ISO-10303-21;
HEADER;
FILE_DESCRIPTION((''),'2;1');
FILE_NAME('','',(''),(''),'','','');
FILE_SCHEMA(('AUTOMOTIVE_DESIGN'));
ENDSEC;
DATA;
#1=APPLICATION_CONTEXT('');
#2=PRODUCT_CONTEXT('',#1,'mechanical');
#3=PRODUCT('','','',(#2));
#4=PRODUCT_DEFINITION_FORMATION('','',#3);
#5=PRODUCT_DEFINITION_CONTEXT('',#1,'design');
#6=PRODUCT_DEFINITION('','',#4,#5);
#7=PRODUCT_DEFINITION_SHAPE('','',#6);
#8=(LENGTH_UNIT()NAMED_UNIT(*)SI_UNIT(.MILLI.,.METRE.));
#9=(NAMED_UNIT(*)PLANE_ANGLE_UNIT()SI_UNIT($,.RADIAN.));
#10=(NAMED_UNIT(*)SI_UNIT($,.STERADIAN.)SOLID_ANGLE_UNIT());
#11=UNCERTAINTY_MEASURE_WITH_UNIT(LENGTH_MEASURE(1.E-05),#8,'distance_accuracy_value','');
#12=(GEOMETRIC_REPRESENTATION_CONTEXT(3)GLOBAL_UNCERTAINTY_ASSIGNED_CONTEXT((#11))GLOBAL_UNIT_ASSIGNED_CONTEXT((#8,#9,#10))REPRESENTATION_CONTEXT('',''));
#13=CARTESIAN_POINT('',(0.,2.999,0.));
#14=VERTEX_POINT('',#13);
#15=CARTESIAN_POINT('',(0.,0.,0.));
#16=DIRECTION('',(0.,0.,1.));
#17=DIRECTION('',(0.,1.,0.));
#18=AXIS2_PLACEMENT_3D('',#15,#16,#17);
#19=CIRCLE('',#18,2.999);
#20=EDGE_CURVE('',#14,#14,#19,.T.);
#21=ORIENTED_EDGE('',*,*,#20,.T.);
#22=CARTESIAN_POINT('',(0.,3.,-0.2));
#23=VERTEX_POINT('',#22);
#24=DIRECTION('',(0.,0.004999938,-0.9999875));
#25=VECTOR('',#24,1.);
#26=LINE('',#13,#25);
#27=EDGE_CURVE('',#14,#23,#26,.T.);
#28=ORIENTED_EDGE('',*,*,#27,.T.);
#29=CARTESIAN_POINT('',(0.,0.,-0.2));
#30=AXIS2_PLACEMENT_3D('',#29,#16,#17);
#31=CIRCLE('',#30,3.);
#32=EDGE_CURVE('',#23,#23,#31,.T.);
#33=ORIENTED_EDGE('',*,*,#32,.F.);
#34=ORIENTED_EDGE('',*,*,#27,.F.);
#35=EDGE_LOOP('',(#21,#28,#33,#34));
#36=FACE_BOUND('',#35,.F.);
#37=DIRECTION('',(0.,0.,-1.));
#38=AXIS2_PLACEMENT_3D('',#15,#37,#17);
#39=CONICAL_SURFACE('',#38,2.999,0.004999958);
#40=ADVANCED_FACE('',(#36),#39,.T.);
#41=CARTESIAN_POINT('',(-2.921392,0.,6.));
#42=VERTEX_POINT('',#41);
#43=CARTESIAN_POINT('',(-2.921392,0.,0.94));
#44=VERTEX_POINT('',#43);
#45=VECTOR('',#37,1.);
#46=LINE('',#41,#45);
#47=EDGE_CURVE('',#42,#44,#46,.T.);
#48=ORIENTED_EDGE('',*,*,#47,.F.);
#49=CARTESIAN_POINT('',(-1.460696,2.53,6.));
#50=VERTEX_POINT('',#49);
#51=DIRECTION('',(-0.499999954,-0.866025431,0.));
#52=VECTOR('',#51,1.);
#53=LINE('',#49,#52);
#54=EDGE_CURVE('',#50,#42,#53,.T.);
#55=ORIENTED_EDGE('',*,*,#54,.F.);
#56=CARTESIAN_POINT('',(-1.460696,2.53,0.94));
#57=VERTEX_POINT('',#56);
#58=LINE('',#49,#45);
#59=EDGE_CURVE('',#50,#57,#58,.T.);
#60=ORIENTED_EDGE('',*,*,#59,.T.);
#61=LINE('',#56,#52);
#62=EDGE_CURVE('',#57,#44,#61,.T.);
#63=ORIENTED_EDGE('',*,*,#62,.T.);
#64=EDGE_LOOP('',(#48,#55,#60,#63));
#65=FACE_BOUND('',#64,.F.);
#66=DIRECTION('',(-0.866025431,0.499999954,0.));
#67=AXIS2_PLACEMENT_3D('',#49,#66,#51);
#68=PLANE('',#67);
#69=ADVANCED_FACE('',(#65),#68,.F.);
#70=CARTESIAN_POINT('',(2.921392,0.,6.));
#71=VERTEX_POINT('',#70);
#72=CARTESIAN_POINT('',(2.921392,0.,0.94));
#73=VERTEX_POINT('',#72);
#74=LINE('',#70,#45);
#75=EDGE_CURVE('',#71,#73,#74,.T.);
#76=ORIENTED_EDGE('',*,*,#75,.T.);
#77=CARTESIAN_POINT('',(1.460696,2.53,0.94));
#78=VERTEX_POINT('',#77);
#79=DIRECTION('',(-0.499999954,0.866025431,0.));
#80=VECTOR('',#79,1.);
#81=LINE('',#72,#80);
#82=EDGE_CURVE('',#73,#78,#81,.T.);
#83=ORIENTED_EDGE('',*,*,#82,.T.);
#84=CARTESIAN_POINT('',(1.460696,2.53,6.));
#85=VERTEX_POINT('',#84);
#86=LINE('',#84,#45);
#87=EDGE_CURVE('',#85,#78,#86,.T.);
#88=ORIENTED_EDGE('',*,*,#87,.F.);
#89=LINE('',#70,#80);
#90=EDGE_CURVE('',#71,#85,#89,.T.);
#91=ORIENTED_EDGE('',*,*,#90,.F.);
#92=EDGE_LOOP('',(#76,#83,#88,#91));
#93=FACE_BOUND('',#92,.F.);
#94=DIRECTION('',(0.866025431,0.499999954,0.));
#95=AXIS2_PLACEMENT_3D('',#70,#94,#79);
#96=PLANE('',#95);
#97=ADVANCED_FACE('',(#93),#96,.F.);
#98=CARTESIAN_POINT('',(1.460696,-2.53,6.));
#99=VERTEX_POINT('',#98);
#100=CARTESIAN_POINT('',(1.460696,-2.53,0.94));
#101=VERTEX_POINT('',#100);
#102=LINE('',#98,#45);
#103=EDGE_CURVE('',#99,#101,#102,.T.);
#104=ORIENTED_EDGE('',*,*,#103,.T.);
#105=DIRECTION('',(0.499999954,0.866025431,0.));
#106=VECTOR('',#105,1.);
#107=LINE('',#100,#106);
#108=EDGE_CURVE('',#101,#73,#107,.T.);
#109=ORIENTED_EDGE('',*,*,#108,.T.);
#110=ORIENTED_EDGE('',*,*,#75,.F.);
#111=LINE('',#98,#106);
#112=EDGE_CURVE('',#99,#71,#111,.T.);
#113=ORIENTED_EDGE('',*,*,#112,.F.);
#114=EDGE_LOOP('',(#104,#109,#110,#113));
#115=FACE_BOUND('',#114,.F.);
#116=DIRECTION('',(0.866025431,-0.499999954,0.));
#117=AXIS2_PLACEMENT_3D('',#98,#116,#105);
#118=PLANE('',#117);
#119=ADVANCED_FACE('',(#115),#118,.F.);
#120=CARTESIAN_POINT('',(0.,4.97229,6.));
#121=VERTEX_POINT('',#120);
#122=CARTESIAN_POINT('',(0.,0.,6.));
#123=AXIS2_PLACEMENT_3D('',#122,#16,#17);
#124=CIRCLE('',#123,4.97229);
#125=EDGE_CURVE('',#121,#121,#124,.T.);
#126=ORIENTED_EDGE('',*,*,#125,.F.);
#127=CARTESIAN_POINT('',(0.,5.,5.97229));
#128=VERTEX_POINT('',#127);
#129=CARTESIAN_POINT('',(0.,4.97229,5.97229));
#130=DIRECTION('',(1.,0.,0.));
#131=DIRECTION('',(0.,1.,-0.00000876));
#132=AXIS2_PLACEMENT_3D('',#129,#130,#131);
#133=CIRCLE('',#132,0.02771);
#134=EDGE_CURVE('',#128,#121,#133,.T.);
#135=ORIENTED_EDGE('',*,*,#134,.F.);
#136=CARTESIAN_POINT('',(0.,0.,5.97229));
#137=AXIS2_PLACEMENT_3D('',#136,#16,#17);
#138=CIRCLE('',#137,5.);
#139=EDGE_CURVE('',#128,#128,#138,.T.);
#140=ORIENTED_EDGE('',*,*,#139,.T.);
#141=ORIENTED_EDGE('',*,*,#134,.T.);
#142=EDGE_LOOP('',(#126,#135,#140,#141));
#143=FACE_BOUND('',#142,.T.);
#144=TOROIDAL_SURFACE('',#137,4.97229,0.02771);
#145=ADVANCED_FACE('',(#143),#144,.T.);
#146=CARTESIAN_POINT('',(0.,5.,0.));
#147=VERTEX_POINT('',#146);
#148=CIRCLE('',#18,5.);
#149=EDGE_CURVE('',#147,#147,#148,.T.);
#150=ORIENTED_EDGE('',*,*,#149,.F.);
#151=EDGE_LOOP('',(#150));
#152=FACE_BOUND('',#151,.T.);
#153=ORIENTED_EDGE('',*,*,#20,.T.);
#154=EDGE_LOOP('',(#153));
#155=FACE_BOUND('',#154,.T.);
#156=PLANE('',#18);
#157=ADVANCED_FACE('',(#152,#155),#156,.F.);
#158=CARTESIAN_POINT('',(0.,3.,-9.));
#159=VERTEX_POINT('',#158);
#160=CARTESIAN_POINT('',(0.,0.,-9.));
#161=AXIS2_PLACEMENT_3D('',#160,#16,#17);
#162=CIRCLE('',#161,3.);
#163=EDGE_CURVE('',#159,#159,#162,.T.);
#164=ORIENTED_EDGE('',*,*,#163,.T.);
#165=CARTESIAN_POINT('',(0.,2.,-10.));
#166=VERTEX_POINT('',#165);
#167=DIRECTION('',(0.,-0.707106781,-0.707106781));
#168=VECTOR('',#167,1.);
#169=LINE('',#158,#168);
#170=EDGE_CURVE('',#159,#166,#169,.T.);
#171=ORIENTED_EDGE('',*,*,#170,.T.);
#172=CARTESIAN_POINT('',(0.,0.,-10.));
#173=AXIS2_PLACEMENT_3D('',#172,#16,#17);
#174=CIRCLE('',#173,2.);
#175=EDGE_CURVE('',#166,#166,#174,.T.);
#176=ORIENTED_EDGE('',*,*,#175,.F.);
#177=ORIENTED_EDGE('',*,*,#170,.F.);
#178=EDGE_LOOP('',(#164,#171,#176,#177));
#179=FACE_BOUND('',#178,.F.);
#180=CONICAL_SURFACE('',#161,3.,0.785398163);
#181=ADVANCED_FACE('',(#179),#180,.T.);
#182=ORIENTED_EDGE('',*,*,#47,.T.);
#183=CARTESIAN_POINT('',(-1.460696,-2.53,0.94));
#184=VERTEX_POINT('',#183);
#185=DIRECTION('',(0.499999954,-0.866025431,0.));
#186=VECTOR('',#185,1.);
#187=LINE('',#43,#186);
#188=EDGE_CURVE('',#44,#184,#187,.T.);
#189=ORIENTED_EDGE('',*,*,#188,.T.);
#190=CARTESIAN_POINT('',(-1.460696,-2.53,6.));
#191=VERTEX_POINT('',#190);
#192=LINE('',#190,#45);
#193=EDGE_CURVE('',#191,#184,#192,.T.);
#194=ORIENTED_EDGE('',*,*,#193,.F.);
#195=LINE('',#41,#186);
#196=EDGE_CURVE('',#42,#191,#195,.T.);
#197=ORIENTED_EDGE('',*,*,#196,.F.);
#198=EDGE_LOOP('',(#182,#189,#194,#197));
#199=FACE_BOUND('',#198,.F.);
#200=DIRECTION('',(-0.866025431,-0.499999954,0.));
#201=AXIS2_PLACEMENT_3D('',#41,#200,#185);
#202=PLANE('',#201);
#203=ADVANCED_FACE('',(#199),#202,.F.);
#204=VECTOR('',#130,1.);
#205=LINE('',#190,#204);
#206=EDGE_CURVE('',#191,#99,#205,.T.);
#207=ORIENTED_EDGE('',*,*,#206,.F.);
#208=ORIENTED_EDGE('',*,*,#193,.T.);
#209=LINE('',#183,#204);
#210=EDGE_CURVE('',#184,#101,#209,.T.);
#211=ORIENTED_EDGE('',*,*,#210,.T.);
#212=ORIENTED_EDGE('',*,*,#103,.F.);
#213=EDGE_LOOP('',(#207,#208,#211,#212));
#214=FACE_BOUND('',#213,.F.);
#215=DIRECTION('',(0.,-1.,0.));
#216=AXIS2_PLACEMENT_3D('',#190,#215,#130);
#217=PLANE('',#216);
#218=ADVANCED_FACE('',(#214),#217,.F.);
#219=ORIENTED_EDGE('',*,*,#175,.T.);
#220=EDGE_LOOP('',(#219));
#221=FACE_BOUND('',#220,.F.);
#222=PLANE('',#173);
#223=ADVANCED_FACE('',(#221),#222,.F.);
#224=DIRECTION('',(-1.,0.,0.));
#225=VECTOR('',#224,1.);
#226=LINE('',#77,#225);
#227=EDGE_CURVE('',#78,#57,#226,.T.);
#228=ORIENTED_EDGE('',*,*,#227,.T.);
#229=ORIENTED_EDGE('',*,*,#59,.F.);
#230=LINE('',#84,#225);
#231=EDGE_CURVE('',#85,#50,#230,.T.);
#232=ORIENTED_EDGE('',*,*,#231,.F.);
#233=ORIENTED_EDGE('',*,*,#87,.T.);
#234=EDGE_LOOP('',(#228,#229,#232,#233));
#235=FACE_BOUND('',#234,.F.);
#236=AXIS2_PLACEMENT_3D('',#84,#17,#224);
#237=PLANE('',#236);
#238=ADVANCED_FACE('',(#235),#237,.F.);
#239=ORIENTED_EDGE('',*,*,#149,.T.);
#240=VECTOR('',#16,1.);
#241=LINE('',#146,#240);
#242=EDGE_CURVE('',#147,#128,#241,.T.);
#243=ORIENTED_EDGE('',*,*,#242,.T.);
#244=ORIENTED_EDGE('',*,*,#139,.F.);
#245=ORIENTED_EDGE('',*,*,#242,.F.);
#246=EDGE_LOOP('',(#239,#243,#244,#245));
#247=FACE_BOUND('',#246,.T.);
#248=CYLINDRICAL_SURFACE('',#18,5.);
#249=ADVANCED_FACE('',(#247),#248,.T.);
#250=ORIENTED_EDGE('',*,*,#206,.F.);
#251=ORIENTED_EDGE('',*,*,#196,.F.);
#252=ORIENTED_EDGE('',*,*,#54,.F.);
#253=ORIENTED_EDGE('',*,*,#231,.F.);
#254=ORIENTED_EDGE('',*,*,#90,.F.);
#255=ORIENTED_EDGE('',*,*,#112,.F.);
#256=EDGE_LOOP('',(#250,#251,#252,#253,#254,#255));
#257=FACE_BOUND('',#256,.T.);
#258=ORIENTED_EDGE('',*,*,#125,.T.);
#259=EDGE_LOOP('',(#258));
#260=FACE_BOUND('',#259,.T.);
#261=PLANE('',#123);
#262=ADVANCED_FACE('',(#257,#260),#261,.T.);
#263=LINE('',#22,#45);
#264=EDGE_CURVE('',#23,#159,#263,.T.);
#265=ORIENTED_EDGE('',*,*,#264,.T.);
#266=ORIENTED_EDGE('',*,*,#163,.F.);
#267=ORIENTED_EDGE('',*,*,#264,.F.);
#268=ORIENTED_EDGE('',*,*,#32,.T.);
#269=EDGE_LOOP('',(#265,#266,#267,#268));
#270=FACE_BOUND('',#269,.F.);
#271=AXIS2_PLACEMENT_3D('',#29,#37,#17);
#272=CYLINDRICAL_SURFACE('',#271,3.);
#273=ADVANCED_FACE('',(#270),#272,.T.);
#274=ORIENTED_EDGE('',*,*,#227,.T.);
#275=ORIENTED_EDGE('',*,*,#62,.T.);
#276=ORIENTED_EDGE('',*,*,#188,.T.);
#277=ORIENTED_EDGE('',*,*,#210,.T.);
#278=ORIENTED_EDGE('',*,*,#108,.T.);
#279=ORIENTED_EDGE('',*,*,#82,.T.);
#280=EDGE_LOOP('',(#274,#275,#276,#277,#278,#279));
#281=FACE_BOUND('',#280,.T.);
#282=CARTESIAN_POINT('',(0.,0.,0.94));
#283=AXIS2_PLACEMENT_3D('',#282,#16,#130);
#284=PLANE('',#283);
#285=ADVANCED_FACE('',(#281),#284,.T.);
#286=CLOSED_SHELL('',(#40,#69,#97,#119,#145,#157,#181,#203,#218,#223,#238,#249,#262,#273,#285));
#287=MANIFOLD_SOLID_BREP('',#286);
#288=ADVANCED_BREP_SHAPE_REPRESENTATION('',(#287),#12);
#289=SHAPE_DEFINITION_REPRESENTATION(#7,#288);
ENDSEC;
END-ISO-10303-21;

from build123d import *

# Parameters (mm, degrees)
POCKET_DEPTH = 5.06


with BuildPart() as part:
    # Sketch → Revolve (revolve)
    with BuildSketch(Plane.YZ):
        with BuildLine():
            Line((2.999, 0), (5, 0))
            Line((5, 0), (5, 5.97229))
            ThreePointArc((5, 5.97229), (4.991884, 5.991884), (4.97229, 6))
            Line((4.97229, 6), (0, 6))
            Line((0, -10), (0, 6))
            Line((2, -10), (0, -10))
            Line((3, -9), (2, -10))
            Line((3, -0.2), (3, -9))
            Line((2.999, 0), (3, -0.2))
        make_face()
    revolve(axis=Axis((0, 0, 0), (0, 0, 1)))

    # Sketch001 → Pocket (cut)
    with BuildSketch(Plane.XY.offset(6)):
        Polygon((2.921392, 0), (1.460696, 2.53), (-1.460696, 2.53), (-2.921392, 0), (-1.460696, -2.53), (1.460696, -2.53), align=None)
    extrude(amount=-POCKET_DEPTH, mode=Mode.SUBTRACT)


solid = part.part
